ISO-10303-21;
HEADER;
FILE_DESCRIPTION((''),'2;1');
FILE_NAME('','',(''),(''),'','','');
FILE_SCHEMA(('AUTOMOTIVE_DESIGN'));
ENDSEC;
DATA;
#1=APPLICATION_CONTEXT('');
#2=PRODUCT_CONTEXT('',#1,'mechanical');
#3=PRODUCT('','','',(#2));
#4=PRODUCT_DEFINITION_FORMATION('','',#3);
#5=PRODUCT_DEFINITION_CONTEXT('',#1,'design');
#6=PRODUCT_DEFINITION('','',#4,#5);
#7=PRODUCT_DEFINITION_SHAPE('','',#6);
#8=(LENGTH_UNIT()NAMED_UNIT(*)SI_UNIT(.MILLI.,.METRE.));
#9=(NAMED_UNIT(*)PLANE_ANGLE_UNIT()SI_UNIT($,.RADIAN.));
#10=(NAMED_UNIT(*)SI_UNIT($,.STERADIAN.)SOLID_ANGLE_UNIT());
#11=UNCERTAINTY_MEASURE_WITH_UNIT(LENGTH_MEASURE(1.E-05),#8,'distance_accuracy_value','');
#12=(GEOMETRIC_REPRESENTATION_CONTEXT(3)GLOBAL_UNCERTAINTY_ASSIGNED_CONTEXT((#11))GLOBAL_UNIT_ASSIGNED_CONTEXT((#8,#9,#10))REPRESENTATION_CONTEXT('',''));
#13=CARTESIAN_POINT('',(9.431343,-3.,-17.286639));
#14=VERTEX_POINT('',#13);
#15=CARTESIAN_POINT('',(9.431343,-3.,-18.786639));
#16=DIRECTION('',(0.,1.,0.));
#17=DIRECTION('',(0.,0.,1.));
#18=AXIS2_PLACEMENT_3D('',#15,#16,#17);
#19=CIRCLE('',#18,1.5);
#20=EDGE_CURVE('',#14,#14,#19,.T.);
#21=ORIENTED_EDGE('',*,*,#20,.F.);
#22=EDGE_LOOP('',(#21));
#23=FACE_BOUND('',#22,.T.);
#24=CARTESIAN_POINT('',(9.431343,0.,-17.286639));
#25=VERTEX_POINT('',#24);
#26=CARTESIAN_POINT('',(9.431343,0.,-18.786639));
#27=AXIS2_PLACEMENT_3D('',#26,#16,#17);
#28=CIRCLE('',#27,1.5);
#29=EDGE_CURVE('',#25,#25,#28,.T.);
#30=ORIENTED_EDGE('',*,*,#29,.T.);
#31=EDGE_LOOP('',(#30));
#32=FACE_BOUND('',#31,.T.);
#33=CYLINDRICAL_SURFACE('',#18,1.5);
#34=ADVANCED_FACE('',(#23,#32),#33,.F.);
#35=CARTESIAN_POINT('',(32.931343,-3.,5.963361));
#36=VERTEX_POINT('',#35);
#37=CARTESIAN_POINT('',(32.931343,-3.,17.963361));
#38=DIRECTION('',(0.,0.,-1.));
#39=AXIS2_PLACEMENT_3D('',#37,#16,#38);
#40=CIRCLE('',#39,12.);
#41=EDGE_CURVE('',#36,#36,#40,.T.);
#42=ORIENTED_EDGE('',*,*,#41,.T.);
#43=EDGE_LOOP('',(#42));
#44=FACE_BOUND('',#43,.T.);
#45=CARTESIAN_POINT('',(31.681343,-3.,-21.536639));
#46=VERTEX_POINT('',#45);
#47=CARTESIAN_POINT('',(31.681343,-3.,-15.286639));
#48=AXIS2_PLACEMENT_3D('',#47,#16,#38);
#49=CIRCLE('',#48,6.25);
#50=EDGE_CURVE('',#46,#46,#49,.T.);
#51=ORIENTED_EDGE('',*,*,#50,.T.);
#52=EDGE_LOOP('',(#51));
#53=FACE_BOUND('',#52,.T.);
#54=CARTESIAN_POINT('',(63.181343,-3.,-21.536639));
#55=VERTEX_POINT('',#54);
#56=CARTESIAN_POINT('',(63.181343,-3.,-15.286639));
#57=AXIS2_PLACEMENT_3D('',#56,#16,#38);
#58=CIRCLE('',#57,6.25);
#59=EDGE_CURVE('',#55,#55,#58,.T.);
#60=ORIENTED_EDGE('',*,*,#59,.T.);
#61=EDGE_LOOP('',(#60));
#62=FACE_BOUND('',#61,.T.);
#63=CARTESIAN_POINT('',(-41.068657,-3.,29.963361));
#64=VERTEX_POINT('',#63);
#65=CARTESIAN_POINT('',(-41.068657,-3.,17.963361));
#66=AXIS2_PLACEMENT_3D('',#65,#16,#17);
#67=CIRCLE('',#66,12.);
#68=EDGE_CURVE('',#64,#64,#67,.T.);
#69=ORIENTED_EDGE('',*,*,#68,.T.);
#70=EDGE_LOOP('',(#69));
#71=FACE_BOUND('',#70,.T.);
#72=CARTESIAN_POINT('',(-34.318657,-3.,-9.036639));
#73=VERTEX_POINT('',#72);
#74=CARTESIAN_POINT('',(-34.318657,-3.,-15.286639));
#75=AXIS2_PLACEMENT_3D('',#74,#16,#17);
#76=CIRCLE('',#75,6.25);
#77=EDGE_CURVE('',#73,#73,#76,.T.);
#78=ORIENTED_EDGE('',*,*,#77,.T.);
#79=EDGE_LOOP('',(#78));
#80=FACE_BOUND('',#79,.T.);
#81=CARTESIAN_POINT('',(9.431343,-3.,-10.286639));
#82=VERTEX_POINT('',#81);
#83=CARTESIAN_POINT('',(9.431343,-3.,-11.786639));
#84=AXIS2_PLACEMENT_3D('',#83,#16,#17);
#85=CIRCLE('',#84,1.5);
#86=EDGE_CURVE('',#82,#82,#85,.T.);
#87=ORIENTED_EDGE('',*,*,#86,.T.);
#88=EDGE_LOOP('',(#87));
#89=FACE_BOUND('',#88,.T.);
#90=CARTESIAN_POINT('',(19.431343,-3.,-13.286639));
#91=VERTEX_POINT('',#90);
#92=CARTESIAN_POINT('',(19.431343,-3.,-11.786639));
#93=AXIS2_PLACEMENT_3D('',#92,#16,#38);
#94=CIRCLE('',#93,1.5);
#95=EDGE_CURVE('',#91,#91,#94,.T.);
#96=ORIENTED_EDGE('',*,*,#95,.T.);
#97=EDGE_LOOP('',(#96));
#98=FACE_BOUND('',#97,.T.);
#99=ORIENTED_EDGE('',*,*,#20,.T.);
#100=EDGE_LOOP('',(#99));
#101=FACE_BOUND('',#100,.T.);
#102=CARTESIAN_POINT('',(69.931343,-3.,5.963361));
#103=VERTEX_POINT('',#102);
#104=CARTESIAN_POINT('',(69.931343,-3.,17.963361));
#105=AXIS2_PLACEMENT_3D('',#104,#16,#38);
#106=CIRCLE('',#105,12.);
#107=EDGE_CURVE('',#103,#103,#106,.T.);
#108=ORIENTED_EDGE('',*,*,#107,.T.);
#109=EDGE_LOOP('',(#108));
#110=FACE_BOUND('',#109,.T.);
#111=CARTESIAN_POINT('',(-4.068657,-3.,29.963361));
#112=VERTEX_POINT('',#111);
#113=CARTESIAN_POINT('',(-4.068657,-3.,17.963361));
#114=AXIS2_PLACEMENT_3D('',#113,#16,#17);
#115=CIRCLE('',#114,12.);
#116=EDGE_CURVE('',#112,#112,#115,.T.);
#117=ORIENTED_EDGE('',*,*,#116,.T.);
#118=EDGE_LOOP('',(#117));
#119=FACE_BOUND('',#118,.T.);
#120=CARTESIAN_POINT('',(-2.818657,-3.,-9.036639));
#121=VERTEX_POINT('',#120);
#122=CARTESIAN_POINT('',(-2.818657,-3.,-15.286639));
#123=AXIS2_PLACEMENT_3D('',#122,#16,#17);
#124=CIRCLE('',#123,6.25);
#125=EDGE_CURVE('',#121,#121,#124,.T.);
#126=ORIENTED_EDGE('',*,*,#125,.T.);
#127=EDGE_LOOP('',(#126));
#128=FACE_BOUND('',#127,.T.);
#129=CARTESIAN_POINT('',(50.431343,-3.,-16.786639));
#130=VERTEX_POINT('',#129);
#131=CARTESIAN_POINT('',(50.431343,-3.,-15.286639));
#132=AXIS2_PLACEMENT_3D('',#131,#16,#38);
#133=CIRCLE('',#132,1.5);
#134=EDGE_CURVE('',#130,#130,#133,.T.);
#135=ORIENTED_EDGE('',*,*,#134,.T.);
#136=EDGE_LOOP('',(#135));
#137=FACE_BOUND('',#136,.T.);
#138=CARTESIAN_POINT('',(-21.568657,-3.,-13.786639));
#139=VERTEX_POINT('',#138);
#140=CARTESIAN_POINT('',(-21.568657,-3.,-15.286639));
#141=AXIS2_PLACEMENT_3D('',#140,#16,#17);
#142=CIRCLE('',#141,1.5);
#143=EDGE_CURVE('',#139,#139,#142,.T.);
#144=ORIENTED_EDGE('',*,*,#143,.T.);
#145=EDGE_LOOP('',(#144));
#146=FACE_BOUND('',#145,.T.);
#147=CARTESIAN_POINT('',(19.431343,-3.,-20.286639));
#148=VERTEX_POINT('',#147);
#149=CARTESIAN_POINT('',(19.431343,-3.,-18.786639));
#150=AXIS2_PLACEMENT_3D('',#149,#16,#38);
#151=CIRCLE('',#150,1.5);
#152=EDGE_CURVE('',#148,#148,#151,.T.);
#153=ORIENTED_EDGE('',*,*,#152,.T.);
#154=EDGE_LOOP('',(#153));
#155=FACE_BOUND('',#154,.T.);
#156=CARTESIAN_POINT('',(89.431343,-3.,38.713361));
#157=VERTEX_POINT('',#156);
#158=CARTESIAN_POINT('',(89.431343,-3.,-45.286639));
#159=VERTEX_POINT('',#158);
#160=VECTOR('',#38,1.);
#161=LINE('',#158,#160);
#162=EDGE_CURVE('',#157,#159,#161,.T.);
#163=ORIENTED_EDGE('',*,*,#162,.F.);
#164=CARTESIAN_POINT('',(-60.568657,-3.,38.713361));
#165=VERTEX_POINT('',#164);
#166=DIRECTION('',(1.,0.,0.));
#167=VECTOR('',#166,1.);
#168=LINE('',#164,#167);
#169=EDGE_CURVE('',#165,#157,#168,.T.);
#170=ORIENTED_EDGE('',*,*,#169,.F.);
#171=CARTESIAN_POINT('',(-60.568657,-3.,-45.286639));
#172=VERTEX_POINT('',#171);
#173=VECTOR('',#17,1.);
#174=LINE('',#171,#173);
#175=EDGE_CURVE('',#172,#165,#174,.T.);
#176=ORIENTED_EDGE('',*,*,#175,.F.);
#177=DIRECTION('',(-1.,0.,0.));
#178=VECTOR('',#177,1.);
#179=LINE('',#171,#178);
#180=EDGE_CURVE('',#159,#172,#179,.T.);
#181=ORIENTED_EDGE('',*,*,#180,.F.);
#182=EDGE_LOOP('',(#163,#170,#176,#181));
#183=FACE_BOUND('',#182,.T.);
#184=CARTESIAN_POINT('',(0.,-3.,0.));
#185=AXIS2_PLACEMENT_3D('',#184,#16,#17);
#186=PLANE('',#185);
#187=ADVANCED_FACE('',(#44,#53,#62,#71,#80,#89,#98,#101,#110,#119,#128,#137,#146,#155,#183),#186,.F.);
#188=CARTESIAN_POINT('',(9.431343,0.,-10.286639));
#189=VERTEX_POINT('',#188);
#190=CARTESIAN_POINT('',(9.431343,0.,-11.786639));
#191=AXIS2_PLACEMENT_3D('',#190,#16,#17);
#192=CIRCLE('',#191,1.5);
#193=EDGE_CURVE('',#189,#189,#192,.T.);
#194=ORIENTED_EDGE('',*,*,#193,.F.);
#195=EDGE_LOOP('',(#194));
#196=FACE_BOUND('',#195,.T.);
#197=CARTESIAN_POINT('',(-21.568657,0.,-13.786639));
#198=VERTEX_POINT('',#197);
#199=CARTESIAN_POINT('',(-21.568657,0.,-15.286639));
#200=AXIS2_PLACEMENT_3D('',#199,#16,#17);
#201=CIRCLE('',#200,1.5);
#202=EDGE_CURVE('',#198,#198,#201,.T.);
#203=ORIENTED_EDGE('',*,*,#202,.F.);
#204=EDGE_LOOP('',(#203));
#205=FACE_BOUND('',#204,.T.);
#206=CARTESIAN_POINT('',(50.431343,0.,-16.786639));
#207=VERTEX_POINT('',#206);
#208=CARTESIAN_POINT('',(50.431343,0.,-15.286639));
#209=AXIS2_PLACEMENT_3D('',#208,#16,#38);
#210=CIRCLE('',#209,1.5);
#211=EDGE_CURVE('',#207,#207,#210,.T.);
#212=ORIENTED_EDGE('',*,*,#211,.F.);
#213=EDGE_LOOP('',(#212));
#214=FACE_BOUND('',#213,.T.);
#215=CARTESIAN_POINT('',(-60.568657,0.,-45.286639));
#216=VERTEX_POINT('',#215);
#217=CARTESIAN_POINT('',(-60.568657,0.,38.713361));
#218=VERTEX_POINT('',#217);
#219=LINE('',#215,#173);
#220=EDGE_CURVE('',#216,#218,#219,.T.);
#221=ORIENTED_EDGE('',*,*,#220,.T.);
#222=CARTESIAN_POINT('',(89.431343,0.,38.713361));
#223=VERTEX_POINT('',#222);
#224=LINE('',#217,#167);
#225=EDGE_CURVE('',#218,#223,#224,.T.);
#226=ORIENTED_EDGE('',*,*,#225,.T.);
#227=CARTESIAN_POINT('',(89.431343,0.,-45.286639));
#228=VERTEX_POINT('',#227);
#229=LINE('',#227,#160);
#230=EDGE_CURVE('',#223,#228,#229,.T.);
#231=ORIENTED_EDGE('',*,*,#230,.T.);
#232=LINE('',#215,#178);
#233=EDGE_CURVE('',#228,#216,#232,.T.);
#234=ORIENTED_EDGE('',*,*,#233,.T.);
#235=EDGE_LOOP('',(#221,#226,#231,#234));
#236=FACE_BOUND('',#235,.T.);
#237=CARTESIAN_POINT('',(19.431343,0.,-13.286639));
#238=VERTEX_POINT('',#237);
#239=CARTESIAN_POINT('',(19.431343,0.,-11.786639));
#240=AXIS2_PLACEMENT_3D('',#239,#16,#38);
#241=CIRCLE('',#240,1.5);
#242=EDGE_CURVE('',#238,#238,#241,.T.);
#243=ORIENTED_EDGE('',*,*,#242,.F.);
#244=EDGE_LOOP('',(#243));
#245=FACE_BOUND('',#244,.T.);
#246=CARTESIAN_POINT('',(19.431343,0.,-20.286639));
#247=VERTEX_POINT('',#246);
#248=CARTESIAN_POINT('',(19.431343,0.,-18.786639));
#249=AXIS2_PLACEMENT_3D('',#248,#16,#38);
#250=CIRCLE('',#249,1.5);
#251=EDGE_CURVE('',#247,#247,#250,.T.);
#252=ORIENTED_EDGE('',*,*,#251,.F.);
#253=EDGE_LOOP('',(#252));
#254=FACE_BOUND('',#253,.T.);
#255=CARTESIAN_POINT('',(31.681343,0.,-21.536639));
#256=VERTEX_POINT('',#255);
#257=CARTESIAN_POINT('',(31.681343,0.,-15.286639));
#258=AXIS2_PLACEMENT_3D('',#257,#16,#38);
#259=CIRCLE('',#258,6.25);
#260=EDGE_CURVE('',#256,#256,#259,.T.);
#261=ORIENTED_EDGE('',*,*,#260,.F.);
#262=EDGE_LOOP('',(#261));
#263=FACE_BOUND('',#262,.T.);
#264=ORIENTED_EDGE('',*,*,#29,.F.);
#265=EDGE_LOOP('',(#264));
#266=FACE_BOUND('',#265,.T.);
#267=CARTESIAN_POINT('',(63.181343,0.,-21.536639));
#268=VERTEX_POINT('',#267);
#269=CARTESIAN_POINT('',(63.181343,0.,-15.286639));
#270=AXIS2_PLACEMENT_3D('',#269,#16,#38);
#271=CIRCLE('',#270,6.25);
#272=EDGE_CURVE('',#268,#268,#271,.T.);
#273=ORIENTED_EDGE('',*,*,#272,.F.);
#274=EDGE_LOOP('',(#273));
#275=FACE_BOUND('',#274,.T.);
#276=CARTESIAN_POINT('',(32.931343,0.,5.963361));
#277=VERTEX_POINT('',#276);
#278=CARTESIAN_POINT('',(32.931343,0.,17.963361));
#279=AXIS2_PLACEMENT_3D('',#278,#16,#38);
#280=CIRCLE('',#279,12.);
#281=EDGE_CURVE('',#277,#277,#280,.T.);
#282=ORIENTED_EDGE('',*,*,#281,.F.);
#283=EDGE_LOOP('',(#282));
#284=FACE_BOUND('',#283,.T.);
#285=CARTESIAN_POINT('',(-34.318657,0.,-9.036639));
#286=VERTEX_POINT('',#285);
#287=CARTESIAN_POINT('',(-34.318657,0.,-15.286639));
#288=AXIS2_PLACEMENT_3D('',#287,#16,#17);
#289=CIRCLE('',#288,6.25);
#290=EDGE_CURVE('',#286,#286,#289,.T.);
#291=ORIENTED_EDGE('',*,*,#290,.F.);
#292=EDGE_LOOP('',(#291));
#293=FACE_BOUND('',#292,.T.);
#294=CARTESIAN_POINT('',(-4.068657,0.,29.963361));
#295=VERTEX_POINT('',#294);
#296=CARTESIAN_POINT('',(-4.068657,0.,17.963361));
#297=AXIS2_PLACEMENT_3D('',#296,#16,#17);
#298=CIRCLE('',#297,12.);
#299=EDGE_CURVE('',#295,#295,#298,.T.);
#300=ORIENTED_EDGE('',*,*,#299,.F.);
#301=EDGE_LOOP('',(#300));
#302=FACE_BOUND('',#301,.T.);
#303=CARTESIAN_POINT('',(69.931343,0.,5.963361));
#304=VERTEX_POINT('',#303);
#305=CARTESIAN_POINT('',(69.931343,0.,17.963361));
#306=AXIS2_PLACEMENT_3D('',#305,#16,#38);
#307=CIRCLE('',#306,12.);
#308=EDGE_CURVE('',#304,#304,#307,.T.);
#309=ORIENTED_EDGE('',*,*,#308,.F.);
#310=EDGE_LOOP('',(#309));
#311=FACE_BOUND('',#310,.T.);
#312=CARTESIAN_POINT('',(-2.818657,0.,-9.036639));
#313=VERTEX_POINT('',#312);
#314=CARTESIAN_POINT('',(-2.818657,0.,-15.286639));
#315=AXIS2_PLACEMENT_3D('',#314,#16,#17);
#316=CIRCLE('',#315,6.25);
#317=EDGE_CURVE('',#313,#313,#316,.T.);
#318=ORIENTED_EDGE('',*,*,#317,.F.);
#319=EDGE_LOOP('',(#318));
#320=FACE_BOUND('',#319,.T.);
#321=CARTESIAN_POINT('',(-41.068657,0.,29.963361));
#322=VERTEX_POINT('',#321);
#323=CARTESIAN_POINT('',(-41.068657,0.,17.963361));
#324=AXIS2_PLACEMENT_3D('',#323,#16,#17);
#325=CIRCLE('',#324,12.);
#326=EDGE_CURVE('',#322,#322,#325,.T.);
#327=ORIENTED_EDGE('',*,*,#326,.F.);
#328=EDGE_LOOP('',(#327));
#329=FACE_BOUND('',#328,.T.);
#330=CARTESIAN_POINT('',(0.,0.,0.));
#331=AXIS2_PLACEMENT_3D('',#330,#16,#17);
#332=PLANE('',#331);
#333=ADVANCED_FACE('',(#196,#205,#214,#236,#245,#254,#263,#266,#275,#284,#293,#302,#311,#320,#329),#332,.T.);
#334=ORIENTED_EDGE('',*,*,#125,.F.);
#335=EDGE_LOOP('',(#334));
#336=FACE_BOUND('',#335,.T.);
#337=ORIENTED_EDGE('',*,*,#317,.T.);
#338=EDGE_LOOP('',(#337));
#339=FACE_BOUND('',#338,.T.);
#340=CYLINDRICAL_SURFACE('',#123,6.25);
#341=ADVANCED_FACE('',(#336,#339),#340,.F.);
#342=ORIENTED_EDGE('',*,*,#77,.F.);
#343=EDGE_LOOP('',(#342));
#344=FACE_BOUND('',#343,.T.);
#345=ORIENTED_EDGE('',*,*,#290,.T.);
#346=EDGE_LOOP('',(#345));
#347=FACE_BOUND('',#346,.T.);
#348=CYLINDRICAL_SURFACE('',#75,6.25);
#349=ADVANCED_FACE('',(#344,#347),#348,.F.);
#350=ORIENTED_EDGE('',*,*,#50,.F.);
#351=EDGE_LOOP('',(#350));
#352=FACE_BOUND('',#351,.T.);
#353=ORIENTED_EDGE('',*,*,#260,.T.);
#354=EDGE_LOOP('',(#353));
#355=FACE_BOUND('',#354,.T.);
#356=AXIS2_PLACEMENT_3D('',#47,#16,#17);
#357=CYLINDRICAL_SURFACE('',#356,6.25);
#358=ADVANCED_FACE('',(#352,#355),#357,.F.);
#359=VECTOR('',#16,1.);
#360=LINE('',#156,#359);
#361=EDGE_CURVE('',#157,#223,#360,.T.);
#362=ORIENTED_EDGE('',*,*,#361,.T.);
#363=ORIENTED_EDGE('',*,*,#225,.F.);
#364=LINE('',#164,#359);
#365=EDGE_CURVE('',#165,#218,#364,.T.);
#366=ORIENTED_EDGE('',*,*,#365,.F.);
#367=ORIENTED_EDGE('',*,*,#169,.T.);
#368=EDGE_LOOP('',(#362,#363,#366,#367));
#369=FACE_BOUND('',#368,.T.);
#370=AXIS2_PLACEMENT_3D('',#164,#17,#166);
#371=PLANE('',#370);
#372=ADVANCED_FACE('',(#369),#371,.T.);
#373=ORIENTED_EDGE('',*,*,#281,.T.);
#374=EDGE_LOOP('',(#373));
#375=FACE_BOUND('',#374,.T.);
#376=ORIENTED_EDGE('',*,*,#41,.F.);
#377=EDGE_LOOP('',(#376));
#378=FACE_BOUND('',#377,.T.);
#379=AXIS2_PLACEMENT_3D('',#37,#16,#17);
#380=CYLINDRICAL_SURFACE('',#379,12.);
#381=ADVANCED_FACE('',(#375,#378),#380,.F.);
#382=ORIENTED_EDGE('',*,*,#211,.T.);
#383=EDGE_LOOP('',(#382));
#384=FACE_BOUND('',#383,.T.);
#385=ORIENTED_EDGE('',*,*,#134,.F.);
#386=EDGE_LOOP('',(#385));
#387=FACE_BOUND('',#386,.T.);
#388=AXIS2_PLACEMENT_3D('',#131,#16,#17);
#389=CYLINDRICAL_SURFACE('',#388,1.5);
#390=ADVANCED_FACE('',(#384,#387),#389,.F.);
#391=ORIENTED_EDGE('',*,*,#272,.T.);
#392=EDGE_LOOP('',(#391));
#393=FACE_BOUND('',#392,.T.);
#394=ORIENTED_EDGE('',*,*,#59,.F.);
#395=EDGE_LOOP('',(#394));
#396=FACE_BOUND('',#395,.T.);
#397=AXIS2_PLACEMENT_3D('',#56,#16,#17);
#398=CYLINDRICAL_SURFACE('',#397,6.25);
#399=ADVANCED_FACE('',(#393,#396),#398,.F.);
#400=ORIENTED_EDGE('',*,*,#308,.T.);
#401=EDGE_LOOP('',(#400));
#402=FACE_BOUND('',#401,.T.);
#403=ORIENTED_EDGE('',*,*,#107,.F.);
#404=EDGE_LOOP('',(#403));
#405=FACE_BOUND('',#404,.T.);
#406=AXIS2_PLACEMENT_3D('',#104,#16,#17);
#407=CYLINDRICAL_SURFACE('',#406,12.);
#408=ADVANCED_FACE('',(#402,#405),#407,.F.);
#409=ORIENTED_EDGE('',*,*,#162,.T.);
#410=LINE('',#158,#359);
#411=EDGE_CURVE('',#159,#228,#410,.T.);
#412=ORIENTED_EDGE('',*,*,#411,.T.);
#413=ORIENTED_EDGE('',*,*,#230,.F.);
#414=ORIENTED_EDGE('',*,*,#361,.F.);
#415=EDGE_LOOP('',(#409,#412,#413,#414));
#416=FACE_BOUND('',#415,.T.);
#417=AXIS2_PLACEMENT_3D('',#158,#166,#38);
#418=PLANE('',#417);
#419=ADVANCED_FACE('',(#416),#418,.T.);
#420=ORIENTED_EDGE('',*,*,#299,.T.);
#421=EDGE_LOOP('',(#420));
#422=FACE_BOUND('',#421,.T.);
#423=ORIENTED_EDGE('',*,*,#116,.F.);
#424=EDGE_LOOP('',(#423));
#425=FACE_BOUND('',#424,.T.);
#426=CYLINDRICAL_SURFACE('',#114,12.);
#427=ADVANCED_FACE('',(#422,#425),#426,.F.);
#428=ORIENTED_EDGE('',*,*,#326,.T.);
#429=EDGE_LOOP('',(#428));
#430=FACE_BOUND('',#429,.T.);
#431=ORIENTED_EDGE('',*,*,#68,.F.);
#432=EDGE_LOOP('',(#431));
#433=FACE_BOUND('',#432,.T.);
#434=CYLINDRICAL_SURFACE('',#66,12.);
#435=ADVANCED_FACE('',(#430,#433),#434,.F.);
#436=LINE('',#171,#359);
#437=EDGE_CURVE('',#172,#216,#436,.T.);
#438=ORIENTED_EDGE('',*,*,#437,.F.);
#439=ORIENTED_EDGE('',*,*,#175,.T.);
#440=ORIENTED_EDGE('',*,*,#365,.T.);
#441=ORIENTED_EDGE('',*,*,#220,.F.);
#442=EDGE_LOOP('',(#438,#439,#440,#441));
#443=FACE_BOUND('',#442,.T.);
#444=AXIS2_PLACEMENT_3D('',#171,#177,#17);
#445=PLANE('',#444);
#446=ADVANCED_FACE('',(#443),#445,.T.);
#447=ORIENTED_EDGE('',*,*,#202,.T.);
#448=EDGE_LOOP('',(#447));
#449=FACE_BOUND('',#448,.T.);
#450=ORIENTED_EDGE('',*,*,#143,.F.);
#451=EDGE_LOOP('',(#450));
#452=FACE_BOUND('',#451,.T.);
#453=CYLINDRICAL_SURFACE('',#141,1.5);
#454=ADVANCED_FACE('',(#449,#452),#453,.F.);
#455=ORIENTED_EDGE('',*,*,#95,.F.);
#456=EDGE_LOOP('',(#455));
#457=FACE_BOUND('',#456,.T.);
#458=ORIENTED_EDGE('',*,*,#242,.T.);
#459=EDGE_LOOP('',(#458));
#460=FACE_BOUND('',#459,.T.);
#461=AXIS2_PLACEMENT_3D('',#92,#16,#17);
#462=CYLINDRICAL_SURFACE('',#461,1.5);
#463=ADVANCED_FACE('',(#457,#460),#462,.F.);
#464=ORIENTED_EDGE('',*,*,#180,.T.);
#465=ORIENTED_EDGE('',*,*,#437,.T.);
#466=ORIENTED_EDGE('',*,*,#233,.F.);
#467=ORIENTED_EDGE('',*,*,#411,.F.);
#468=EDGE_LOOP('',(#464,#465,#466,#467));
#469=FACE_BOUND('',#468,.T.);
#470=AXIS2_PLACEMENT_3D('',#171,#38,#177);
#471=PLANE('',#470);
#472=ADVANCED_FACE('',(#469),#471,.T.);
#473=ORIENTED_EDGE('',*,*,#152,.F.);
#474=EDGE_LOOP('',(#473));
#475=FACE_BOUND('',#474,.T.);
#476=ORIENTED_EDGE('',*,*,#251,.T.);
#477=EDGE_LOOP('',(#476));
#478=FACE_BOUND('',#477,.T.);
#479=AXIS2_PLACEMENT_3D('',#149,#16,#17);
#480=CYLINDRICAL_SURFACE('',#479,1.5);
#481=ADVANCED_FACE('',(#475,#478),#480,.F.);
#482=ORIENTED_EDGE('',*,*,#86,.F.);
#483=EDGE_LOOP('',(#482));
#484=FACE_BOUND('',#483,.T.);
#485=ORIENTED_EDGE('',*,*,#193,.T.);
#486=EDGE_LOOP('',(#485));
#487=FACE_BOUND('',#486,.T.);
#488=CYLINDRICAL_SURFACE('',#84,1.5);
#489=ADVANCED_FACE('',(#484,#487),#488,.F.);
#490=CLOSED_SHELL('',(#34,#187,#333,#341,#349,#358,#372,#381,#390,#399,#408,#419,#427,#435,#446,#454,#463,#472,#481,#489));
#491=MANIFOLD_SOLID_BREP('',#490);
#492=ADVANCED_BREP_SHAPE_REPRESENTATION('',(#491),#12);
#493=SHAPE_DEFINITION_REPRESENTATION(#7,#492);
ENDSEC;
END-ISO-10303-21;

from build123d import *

# Parameters (mm, degrees)
SKETCH1_W           = 150
SKETCH1_H           = 84
SKETCH1_R           = 12
SKETCH1_R_2         = 6.25
SKETCH1_R_3         = 1.5
BOSS_EXTRUDE2_DEPTH = 3


with BuildPart() as part:
    # Sketch1 → Boss-Extrude2 (new body)
    with BuildSketch(Plane(origin=(0, 0, 0), x_dir=(1, 0, 0), z_dir=(0, 1, 0))):
        with Locations((14.43134335, 3.286639095)):
            Rectangle(SKETCH1_W, SKETCH1_H)
        with Locations(Location((-41.06865665, -17.963360905, 0), (0, 0, 270))):
            Circle(SKETCH1_R, mode=Mode.SUBTRACT)
        with Locations(Location((-4.06865665, -17.963360905, 0), (0, 0, 270))):
            Circle(SKETCH1_R, mode=Mode.SUBTRACT)
        with Locations(Location((-34.31865665, 15.286639095, 0), (0, 0, 270))):
            Circle(SKETCH1_R_2, mode=Mode.SUBTRACT)
        with Locations(Location((-21.56865665, 15.286639095, 0), (0, 0, 270))):
            Circle(SKETCH1_R_3, mode=Mode.SUBTRACT)
        with Locations(Location((-2.81865665, 15.286639095, 0), (0, 0, 270))):
            Circle(SKETCH1_R_2, mode=Mode.SUBTRACT)
        with Locations(Location((9.43134335, 18.786639095, 0), (0, 0, 270))):
            Circle(SKETCH1_R_3, mode=Mode.SUBTRACT)
        with Locations(Location((9.43134335, 11.786639095, 0), (0, 0, 270))):
            Circle(SKETCH1_R_3, mode=Mode.SUBTRACT)
        with Locations(Location((69.93134335, -17.963360905, 0), (0, 0, 90))):
            Circle(SKETCH1_R, mode=Mode.SUBTRACT)
        with Locations(Location((32.93134335, -17.963360905, 0), (0, 0, 90))):
            Circle(SKETCH1_R, mode=Mode.SUBTRACT)
        with Locations(Location((19.43134335, 11.786639095, 0), (0, 0, 90))):
            Circle(SKETCH1_R_3, mode=Mode.SUBTRACT)
        with Locations(Location((19.43134335, 18.786639095, 0), (0, 0, 90))):
            Circle(SKETCH1_R_3, mode=Mode.SUBTRACT)
        with Locations(Location((31.68134335, 15.286639095, 0), (0, 0, 90))):
            Circle(SKETCH1_R_2, mode=Mode.SUBTRACT)
        with Locations(Location((50.43134335, 15.286639095, 0), (0, 0, 90))):
            Circle(SKETCH1_R_3, mode=Mode.SUBTRACT)
        with Locations(Location((63.18134335, 15.286639095, 0), (0, 0, 90))):
            Circle(SKETCH1_R_2, mode=Mode.SUBTRACT)
    extrude(amount=-BOSS_EXTRUDE2_DEPTH)


solid = part.part
